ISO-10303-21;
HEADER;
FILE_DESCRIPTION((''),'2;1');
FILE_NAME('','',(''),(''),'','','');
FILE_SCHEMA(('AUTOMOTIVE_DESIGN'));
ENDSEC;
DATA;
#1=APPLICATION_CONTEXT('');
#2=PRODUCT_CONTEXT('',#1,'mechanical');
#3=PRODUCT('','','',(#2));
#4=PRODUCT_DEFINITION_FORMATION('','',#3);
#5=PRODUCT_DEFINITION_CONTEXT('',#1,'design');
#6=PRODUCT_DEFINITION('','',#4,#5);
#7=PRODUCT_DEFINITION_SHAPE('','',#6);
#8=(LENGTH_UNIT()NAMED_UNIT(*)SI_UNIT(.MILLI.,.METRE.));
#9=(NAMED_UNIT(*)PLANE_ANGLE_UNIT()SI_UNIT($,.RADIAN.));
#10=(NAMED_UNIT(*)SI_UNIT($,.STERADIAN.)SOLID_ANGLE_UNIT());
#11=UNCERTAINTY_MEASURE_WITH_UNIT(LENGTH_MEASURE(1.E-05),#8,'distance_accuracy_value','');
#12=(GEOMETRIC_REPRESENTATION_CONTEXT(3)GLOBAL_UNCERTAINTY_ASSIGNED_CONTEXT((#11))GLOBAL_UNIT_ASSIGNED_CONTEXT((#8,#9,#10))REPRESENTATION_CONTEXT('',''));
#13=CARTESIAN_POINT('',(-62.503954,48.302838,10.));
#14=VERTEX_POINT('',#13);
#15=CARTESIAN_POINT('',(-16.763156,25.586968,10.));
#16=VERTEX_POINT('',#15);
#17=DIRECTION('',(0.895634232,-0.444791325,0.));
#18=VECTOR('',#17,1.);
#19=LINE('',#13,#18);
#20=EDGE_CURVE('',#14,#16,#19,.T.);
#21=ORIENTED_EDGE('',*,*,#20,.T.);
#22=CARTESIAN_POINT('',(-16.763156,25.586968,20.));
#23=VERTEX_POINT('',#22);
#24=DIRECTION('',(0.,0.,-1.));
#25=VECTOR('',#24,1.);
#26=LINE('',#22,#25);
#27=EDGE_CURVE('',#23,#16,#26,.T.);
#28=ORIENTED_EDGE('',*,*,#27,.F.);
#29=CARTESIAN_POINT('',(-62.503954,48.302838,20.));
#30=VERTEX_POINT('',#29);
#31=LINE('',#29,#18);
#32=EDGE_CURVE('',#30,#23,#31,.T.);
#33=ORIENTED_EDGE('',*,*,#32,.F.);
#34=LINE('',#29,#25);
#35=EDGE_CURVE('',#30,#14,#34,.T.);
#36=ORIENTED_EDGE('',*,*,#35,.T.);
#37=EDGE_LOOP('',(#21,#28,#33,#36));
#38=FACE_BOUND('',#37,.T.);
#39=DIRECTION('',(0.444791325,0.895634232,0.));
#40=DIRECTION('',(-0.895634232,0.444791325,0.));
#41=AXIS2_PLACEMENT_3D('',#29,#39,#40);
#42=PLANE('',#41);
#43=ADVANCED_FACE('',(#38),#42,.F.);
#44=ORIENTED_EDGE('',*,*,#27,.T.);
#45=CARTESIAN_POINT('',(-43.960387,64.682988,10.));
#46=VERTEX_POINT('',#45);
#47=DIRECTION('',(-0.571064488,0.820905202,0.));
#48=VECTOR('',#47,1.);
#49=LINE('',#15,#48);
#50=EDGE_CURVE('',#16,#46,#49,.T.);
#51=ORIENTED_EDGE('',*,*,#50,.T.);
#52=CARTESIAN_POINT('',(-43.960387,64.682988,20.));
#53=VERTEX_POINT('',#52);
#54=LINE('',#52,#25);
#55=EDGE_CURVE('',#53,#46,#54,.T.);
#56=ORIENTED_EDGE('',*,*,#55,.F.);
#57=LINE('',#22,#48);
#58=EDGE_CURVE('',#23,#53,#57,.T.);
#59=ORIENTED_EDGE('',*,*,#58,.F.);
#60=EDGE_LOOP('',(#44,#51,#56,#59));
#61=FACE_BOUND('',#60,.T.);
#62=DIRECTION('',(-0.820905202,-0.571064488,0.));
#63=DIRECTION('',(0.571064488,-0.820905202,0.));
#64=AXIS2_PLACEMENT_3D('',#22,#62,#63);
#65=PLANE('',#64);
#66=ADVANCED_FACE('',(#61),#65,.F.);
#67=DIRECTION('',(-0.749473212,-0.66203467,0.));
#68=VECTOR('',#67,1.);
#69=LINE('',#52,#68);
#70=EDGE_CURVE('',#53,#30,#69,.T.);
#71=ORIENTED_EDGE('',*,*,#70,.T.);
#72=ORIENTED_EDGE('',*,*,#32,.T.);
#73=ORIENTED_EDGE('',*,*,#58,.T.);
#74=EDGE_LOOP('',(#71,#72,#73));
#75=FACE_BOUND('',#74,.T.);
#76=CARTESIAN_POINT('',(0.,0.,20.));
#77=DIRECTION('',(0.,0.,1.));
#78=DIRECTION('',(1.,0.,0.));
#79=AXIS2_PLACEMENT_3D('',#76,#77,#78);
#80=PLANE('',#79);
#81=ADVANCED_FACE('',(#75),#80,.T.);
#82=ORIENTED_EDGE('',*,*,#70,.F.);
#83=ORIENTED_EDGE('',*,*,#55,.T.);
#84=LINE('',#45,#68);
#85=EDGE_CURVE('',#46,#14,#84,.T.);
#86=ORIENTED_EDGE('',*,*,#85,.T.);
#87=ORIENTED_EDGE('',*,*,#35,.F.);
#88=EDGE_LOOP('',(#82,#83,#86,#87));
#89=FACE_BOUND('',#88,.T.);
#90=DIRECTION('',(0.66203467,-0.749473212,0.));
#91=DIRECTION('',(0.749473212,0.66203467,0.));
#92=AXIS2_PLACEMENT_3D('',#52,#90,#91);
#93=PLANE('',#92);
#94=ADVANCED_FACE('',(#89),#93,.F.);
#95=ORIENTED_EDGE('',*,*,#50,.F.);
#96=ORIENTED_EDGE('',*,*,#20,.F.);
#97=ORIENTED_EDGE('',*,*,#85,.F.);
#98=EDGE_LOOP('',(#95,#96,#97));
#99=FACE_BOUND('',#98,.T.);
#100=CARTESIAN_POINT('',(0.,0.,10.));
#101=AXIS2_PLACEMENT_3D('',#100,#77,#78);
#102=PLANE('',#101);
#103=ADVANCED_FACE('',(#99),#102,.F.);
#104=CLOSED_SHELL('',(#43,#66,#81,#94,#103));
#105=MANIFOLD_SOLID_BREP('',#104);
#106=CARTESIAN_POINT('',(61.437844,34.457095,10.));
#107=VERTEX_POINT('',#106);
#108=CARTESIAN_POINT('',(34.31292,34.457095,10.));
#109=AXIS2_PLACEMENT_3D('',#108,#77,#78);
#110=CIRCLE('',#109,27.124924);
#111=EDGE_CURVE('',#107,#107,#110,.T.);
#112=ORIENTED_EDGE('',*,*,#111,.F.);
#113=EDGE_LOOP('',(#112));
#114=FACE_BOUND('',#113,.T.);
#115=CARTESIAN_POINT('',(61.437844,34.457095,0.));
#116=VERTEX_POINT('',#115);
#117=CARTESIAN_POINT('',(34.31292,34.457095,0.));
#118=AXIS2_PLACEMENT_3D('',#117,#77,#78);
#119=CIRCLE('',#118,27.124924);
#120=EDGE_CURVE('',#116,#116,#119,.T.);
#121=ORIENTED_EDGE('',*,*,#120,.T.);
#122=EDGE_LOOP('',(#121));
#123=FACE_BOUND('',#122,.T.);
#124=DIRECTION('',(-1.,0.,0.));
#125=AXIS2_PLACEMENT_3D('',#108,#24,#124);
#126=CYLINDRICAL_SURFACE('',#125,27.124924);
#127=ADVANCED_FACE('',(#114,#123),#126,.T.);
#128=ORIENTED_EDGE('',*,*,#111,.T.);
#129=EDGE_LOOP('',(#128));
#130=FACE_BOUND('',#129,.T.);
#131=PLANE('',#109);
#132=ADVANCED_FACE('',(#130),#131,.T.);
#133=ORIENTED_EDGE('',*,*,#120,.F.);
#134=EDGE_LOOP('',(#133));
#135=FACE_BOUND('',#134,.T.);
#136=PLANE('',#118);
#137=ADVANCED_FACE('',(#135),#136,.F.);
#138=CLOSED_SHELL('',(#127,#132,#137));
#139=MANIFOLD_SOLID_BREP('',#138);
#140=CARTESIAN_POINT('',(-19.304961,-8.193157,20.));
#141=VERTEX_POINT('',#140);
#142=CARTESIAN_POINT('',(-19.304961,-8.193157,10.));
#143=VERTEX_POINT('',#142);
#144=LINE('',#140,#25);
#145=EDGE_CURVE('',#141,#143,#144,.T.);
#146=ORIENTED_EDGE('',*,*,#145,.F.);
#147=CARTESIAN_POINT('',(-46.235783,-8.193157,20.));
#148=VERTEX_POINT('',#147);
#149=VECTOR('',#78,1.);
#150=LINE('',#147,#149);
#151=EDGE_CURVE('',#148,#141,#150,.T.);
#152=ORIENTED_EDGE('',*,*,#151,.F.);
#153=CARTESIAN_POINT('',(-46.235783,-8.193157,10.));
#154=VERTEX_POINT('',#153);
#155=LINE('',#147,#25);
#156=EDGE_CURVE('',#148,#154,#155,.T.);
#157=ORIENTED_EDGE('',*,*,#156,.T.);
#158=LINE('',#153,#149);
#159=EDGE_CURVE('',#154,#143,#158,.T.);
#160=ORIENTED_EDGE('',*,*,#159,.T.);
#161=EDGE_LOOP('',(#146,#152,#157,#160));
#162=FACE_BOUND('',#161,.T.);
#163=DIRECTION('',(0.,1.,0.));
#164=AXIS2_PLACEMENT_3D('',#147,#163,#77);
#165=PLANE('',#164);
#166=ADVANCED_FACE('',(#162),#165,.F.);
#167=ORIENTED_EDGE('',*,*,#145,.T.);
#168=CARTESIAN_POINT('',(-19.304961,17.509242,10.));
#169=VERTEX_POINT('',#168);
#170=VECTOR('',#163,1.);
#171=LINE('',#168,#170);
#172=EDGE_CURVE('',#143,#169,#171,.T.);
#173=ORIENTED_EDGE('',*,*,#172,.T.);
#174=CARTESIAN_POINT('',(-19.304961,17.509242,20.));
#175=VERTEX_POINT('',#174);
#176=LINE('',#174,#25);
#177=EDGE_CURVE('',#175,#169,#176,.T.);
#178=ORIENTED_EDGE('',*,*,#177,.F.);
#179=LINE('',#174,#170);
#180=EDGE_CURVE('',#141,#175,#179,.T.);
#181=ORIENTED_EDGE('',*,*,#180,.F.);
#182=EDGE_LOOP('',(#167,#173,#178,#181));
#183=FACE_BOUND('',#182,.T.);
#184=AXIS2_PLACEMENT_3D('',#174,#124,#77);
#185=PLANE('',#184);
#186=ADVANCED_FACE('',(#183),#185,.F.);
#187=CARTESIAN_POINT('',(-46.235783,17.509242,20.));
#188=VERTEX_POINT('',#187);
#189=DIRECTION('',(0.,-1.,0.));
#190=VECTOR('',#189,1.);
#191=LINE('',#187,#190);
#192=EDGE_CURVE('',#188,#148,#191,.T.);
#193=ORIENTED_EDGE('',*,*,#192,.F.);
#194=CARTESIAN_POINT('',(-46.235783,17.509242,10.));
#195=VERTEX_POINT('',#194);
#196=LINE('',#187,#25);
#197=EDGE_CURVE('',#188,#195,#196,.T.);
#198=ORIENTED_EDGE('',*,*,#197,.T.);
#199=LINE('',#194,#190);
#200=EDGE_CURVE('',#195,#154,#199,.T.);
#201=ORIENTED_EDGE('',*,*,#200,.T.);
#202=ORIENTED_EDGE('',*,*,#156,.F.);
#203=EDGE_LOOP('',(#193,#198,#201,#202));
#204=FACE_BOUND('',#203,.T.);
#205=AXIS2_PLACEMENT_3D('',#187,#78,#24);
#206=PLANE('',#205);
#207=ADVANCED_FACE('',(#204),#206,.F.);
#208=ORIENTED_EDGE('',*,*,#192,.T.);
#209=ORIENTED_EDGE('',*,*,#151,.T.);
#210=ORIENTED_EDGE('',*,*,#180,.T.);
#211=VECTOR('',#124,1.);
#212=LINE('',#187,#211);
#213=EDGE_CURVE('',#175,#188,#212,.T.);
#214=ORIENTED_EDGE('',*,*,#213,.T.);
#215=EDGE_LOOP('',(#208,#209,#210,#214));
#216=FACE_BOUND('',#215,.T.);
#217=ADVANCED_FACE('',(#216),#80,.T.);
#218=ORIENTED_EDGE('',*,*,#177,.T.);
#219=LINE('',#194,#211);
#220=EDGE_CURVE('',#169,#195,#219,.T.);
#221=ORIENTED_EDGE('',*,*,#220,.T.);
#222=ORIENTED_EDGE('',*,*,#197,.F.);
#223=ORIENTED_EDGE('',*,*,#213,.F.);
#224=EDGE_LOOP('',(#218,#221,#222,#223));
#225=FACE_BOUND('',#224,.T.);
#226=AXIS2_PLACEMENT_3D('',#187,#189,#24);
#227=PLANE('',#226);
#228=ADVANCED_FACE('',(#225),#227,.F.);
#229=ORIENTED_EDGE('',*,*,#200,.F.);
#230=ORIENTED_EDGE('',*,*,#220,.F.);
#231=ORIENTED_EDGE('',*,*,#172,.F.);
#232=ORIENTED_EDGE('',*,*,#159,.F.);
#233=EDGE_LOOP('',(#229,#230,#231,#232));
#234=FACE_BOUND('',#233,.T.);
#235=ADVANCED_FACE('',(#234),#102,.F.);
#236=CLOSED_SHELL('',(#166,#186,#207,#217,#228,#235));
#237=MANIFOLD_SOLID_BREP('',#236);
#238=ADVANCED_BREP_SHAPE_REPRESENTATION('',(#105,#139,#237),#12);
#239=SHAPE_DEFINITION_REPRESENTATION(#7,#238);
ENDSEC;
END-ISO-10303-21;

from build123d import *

# Parameters (mm, degrees)
SKETCH1_R           = 27.12492427
BOSS_EXTRUDE1_DEPTH = 10
SKETCH2_W           = 26.93082218
SKETCH2_H           = 25.702398712
BOSS_EXTRUDE2_DEPTH = 10
BOSS_EXTRUDE3_DEPTH = 10


with BuildPart() as part:
    # Sketch1 → Boss-Extrude1 (new body)
    with BuildSketch(Plane.XY):
        with Locations((34.312919793, 34.457095292)):
            Circle(SKETCH1_R)
    extrude(amount=BOSS_EXTRUDE1_DEPTH)


with BuildPart() as body_2:
    # Sketch2 → Boss-Extrude2 (new body)
    with BuildSketch(Plane.XY.offset(10)):
        with Locations((-32.770372386, 4.658042558)):
            Rectangle(SKETCH2_W, SKETCH2_H)
    extrude(amount=BOSS_EXTRUDE2_DEPTH)


with BuildPart() as body_3:
    # Sketch3 → Boss-Extrude3 (new body)
    with BuildSketch(Plane.XY.offset(10)):
        Polygon((-43.960387264, 64.682988273), (-62.503954018, 48.302837641), (-16.763156025, 25.586968367), align=None)
    extrude(amount=BOSS_EXTRUDE3_DEPTH)


solid = Compound([part.part, body_2.part, body_3.part])
